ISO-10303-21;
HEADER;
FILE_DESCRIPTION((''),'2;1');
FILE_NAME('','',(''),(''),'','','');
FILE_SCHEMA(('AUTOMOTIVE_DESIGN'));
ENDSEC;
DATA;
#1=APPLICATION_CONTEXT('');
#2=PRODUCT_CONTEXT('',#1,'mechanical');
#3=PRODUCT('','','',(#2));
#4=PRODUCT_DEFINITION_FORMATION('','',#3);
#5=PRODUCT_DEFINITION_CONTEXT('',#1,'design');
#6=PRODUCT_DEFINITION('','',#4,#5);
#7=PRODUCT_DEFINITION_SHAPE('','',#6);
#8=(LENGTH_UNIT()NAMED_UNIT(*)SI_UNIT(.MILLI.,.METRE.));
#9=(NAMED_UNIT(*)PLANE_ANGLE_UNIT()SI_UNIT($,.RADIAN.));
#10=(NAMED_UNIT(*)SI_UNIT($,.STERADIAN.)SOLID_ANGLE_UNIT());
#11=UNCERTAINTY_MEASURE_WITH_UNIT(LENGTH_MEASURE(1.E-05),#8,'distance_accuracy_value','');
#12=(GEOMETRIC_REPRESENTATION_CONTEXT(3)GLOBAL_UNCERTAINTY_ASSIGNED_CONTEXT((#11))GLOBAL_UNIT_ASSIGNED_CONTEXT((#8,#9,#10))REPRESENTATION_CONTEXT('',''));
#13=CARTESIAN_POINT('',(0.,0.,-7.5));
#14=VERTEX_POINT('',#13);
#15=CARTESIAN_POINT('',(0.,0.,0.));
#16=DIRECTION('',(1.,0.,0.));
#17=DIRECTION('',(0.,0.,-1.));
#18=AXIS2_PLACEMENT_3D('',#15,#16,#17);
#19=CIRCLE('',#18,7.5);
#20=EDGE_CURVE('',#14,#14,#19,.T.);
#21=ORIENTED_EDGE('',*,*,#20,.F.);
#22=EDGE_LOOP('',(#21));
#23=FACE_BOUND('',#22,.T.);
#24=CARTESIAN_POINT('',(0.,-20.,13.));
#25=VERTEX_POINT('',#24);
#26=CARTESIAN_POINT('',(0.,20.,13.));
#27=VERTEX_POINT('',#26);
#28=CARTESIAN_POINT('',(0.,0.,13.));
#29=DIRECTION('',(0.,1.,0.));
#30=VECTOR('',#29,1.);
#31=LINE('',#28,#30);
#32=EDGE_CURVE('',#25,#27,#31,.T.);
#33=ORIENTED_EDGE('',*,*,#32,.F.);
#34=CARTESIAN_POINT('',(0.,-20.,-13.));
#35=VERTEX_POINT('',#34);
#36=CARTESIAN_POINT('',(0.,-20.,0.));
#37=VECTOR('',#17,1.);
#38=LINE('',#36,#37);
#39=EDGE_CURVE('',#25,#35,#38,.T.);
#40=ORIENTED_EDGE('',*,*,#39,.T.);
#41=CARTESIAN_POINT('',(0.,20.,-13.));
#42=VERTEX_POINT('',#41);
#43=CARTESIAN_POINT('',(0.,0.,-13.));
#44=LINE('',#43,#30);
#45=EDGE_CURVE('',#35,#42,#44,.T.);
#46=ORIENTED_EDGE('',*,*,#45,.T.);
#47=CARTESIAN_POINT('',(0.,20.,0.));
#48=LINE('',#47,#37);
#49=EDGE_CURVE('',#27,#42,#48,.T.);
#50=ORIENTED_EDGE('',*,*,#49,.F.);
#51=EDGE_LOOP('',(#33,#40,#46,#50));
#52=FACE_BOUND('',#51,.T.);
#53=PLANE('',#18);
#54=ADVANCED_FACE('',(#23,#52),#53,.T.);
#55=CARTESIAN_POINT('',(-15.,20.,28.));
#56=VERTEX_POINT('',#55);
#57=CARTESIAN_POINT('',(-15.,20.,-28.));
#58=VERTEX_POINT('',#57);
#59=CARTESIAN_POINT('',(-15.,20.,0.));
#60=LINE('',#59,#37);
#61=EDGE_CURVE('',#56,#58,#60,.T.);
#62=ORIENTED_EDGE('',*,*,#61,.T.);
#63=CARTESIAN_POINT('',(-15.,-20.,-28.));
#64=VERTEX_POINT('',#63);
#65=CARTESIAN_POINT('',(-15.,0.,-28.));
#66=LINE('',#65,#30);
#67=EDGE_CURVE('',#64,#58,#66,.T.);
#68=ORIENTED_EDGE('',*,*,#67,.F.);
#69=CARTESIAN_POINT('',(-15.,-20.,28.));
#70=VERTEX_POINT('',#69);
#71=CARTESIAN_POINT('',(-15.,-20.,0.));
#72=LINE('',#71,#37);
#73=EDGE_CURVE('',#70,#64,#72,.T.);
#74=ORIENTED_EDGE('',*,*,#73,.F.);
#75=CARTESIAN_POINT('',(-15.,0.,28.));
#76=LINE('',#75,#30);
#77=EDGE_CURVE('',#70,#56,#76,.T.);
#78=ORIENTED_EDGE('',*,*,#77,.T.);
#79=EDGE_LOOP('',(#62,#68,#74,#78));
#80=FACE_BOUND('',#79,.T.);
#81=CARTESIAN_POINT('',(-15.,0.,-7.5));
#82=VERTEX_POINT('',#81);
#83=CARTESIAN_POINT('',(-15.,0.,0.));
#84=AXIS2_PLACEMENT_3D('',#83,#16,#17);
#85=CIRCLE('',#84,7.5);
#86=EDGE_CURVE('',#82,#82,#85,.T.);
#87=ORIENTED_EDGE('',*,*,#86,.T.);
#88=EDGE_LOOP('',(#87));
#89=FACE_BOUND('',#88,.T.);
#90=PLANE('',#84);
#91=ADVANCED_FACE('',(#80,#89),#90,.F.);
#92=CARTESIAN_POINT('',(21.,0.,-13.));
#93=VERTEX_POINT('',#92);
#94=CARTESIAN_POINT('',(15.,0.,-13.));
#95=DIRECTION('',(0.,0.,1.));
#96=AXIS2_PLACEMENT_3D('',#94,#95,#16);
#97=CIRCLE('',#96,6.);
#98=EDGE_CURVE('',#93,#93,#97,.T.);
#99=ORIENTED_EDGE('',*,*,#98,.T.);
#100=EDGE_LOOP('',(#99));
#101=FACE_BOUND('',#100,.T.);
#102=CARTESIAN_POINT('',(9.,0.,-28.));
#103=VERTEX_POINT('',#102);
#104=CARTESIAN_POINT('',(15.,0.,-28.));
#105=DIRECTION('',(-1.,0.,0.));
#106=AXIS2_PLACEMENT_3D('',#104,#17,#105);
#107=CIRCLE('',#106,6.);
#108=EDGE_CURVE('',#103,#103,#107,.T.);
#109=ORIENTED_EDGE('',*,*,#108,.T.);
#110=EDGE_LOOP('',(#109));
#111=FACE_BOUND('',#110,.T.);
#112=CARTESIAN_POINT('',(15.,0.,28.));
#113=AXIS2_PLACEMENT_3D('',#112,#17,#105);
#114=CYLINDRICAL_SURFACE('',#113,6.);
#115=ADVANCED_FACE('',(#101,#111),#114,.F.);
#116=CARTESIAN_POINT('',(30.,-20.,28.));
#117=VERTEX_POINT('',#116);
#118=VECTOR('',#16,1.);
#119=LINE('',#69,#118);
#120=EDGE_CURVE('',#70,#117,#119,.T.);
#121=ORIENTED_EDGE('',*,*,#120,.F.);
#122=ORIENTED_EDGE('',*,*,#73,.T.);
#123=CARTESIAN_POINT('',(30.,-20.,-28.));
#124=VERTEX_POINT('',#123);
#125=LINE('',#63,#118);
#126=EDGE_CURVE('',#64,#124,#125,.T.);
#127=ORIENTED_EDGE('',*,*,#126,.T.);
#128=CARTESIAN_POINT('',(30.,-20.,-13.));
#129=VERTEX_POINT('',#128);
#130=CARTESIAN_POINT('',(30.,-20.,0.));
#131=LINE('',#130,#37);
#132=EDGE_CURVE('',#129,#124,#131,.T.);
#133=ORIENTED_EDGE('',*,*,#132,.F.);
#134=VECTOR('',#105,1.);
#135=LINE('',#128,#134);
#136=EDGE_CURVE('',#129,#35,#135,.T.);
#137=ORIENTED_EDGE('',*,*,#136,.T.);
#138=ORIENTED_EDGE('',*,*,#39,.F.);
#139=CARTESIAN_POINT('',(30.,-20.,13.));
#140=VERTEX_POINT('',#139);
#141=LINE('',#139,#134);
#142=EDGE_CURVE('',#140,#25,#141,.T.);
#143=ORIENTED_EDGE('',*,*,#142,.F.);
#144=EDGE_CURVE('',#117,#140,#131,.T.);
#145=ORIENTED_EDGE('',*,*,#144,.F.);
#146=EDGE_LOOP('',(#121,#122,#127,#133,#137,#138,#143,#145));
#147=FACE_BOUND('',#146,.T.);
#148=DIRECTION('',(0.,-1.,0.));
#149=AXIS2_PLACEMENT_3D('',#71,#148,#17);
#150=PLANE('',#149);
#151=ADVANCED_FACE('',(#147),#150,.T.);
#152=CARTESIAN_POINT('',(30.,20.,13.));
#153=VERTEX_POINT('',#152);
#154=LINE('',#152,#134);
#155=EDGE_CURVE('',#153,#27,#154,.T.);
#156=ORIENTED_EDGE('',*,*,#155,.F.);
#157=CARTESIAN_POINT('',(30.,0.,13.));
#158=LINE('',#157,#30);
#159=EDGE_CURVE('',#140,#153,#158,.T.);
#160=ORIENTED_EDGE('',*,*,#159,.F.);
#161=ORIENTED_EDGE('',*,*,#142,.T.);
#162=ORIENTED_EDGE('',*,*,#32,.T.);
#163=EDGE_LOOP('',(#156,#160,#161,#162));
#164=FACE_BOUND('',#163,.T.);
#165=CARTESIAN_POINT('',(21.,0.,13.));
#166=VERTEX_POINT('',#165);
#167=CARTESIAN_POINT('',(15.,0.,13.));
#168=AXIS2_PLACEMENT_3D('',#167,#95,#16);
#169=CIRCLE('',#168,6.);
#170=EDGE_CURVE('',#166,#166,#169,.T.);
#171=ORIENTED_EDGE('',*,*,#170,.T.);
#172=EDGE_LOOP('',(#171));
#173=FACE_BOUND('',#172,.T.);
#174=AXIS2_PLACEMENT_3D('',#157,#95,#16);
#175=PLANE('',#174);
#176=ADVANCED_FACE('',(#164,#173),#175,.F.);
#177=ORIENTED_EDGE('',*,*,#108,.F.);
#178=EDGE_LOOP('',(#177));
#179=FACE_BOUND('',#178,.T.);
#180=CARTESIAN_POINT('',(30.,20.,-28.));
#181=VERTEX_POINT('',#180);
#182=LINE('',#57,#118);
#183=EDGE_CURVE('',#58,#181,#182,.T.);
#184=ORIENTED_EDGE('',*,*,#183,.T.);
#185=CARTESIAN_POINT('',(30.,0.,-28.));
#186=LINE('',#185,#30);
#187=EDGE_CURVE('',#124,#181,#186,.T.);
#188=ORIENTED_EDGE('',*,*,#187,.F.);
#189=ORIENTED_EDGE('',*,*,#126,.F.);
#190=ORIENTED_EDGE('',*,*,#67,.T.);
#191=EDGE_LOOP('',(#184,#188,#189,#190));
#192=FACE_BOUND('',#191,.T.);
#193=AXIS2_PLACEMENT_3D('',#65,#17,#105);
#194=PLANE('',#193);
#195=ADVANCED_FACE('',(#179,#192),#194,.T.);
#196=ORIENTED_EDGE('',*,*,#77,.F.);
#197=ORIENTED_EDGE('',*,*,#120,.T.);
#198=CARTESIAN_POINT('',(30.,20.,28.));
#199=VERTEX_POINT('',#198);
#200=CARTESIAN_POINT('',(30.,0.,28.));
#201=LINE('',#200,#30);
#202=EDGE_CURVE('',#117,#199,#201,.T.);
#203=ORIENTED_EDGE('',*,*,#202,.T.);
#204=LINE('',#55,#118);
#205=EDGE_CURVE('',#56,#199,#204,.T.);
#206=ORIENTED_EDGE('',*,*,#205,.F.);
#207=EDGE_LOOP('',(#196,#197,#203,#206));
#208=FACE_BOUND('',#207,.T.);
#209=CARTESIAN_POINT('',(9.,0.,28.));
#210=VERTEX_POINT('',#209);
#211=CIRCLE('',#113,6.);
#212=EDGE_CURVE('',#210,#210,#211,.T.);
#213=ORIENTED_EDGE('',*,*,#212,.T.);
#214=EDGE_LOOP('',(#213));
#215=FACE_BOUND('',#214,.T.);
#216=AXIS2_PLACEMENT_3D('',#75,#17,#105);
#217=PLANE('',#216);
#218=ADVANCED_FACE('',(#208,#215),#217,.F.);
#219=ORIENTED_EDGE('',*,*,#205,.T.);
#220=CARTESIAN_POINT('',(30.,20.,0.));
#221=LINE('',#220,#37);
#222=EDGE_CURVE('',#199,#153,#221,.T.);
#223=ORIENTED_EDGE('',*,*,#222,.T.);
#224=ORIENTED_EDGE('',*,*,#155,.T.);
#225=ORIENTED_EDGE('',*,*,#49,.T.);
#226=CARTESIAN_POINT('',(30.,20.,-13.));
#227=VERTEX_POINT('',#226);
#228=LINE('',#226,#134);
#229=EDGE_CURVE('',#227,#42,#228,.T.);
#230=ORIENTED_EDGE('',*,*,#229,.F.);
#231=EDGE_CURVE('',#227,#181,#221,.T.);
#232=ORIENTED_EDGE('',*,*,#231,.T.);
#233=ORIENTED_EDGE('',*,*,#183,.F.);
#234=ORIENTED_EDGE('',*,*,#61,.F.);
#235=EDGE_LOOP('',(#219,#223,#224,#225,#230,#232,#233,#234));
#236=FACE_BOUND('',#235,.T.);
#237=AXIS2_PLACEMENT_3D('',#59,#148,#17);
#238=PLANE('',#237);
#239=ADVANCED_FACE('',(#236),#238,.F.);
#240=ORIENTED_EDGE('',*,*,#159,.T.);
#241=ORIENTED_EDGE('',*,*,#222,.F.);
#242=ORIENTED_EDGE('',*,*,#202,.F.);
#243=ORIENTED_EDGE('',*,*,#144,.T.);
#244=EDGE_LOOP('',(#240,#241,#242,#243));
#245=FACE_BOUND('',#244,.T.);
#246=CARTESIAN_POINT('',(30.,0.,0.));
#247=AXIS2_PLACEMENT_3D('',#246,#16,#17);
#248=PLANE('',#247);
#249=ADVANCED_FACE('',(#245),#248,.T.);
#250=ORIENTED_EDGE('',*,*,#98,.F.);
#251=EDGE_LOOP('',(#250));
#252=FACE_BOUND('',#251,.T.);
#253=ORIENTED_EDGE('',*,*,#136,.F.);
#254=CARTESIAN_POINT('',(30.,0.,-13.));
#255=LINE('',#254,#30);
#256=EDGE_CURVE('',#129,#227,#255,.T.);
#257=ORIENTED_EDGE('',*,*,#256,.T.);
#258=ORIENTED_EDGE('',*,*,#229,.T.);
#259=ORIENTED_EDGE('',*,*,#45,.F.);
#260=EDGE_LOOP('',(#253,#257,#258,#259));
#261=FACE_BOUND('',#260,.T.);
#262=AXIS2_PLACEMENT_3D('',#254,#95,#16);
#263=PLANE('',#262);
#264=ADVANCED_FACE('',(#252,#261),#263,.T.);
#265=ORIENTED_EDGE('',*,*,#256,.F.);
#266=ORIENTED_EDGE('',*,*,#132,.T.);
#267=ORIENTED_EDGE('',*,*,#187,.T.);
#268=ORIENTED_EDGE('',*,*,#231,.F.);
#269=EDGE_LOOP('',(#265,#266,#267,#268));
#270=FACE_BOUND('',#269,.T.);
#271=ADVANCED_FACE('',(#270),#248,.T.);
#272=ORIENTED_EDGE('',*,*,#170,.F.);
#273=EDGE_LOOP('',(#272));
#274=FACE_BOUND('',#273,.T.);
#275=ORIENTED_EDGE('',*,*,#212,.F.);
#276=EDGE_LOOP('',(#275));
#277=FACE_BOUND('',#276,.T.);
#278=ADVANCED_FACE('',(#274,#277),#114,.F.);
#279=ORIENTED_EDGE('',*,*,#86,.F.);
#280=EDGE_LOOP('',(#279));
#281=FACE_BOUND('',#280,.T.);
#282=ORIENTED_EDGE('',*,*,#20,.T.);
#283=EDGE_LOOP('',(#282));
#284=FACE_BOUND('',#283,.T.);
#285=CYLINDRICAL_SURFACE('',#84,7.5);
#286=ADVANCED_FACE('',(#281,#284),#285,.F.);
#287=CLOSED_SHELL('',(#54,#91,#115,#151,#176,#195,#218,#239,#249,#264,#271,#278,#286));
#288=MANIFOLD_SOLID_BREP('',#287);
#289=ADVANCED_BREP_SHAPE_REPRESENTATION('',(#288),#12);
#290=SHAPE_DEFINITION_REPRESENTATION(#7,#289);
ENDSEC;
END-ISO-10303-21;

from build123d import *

# Parameters (mm, degrees)
SKETCH1_W               = 56
SKETCH1_H               = 40
SKETCH1_R               = 7.5
BOSS_EXTRUDE1_DEPTH     = 15
SKETCH1_3_W             = 15
SKETCH1_3_H             = 40
BOSS_EXTRUDE2_DEPTH     = 30
CUT_EXTRUDE1_DEPTH      = 55.598534779
CUT_EXTRUDE1_DEPTH_BACK = 55.598534779
SKETCH2_R               = 6


with BuildPart() as part:
    # Sketch1 → Boss-Extrude1 (new body)
    with BuildSketch(Plane(origin=(0, 0, 0), x_dir=(0, 0, -1), z_dir=(1, 0, 0))):
        Rectangle(SKETCH1_W, SKETCH1_H)
        Circle(SKETCH1_R, mode=Mode.SUBTRACT)
    extrude(amount=-BOSS_EXTRUDE1_DEPTH)

    # Sketch1<3> → Boss-Extrude2 (add)
    with BuildSketch(Plane(origin=(0, 0, 0), x_dir=(0, 0, -1), z_dir=(1, 0, 0))):
        with Locations((-20.5, 0)):
            Rectangle(SKETCH1_3_W, SKETCH1_3_H)
        with Locations((20.5, 0)):
            Rectangle(SKETCH1_3_W, SKETCH1_3_H)
    extrude(amount=BOSS_EXTRUDE2_DEPTH)

    # Sketch2 → Cut-Extrude1 (cut, two sides: drawn at the far end of the back side and taken through both)
    with BuildSketch(Plane(origin=(0, 0, 13), x_dir=(-1, 0, 0), z_dir=(0, 0, -1)).offset(-CUT_EXTRUDE1_DEPTH_BACK)):
        with Locations((-15, 0)):
            Circle(SKETCH2_R)
    extrude(amount=CUT_EXTRUDE1_DEPTH + CUT_EXTRUDE1_DEPTH_BACK, mode=Mode.SUBTRACT)


solid = part.part
